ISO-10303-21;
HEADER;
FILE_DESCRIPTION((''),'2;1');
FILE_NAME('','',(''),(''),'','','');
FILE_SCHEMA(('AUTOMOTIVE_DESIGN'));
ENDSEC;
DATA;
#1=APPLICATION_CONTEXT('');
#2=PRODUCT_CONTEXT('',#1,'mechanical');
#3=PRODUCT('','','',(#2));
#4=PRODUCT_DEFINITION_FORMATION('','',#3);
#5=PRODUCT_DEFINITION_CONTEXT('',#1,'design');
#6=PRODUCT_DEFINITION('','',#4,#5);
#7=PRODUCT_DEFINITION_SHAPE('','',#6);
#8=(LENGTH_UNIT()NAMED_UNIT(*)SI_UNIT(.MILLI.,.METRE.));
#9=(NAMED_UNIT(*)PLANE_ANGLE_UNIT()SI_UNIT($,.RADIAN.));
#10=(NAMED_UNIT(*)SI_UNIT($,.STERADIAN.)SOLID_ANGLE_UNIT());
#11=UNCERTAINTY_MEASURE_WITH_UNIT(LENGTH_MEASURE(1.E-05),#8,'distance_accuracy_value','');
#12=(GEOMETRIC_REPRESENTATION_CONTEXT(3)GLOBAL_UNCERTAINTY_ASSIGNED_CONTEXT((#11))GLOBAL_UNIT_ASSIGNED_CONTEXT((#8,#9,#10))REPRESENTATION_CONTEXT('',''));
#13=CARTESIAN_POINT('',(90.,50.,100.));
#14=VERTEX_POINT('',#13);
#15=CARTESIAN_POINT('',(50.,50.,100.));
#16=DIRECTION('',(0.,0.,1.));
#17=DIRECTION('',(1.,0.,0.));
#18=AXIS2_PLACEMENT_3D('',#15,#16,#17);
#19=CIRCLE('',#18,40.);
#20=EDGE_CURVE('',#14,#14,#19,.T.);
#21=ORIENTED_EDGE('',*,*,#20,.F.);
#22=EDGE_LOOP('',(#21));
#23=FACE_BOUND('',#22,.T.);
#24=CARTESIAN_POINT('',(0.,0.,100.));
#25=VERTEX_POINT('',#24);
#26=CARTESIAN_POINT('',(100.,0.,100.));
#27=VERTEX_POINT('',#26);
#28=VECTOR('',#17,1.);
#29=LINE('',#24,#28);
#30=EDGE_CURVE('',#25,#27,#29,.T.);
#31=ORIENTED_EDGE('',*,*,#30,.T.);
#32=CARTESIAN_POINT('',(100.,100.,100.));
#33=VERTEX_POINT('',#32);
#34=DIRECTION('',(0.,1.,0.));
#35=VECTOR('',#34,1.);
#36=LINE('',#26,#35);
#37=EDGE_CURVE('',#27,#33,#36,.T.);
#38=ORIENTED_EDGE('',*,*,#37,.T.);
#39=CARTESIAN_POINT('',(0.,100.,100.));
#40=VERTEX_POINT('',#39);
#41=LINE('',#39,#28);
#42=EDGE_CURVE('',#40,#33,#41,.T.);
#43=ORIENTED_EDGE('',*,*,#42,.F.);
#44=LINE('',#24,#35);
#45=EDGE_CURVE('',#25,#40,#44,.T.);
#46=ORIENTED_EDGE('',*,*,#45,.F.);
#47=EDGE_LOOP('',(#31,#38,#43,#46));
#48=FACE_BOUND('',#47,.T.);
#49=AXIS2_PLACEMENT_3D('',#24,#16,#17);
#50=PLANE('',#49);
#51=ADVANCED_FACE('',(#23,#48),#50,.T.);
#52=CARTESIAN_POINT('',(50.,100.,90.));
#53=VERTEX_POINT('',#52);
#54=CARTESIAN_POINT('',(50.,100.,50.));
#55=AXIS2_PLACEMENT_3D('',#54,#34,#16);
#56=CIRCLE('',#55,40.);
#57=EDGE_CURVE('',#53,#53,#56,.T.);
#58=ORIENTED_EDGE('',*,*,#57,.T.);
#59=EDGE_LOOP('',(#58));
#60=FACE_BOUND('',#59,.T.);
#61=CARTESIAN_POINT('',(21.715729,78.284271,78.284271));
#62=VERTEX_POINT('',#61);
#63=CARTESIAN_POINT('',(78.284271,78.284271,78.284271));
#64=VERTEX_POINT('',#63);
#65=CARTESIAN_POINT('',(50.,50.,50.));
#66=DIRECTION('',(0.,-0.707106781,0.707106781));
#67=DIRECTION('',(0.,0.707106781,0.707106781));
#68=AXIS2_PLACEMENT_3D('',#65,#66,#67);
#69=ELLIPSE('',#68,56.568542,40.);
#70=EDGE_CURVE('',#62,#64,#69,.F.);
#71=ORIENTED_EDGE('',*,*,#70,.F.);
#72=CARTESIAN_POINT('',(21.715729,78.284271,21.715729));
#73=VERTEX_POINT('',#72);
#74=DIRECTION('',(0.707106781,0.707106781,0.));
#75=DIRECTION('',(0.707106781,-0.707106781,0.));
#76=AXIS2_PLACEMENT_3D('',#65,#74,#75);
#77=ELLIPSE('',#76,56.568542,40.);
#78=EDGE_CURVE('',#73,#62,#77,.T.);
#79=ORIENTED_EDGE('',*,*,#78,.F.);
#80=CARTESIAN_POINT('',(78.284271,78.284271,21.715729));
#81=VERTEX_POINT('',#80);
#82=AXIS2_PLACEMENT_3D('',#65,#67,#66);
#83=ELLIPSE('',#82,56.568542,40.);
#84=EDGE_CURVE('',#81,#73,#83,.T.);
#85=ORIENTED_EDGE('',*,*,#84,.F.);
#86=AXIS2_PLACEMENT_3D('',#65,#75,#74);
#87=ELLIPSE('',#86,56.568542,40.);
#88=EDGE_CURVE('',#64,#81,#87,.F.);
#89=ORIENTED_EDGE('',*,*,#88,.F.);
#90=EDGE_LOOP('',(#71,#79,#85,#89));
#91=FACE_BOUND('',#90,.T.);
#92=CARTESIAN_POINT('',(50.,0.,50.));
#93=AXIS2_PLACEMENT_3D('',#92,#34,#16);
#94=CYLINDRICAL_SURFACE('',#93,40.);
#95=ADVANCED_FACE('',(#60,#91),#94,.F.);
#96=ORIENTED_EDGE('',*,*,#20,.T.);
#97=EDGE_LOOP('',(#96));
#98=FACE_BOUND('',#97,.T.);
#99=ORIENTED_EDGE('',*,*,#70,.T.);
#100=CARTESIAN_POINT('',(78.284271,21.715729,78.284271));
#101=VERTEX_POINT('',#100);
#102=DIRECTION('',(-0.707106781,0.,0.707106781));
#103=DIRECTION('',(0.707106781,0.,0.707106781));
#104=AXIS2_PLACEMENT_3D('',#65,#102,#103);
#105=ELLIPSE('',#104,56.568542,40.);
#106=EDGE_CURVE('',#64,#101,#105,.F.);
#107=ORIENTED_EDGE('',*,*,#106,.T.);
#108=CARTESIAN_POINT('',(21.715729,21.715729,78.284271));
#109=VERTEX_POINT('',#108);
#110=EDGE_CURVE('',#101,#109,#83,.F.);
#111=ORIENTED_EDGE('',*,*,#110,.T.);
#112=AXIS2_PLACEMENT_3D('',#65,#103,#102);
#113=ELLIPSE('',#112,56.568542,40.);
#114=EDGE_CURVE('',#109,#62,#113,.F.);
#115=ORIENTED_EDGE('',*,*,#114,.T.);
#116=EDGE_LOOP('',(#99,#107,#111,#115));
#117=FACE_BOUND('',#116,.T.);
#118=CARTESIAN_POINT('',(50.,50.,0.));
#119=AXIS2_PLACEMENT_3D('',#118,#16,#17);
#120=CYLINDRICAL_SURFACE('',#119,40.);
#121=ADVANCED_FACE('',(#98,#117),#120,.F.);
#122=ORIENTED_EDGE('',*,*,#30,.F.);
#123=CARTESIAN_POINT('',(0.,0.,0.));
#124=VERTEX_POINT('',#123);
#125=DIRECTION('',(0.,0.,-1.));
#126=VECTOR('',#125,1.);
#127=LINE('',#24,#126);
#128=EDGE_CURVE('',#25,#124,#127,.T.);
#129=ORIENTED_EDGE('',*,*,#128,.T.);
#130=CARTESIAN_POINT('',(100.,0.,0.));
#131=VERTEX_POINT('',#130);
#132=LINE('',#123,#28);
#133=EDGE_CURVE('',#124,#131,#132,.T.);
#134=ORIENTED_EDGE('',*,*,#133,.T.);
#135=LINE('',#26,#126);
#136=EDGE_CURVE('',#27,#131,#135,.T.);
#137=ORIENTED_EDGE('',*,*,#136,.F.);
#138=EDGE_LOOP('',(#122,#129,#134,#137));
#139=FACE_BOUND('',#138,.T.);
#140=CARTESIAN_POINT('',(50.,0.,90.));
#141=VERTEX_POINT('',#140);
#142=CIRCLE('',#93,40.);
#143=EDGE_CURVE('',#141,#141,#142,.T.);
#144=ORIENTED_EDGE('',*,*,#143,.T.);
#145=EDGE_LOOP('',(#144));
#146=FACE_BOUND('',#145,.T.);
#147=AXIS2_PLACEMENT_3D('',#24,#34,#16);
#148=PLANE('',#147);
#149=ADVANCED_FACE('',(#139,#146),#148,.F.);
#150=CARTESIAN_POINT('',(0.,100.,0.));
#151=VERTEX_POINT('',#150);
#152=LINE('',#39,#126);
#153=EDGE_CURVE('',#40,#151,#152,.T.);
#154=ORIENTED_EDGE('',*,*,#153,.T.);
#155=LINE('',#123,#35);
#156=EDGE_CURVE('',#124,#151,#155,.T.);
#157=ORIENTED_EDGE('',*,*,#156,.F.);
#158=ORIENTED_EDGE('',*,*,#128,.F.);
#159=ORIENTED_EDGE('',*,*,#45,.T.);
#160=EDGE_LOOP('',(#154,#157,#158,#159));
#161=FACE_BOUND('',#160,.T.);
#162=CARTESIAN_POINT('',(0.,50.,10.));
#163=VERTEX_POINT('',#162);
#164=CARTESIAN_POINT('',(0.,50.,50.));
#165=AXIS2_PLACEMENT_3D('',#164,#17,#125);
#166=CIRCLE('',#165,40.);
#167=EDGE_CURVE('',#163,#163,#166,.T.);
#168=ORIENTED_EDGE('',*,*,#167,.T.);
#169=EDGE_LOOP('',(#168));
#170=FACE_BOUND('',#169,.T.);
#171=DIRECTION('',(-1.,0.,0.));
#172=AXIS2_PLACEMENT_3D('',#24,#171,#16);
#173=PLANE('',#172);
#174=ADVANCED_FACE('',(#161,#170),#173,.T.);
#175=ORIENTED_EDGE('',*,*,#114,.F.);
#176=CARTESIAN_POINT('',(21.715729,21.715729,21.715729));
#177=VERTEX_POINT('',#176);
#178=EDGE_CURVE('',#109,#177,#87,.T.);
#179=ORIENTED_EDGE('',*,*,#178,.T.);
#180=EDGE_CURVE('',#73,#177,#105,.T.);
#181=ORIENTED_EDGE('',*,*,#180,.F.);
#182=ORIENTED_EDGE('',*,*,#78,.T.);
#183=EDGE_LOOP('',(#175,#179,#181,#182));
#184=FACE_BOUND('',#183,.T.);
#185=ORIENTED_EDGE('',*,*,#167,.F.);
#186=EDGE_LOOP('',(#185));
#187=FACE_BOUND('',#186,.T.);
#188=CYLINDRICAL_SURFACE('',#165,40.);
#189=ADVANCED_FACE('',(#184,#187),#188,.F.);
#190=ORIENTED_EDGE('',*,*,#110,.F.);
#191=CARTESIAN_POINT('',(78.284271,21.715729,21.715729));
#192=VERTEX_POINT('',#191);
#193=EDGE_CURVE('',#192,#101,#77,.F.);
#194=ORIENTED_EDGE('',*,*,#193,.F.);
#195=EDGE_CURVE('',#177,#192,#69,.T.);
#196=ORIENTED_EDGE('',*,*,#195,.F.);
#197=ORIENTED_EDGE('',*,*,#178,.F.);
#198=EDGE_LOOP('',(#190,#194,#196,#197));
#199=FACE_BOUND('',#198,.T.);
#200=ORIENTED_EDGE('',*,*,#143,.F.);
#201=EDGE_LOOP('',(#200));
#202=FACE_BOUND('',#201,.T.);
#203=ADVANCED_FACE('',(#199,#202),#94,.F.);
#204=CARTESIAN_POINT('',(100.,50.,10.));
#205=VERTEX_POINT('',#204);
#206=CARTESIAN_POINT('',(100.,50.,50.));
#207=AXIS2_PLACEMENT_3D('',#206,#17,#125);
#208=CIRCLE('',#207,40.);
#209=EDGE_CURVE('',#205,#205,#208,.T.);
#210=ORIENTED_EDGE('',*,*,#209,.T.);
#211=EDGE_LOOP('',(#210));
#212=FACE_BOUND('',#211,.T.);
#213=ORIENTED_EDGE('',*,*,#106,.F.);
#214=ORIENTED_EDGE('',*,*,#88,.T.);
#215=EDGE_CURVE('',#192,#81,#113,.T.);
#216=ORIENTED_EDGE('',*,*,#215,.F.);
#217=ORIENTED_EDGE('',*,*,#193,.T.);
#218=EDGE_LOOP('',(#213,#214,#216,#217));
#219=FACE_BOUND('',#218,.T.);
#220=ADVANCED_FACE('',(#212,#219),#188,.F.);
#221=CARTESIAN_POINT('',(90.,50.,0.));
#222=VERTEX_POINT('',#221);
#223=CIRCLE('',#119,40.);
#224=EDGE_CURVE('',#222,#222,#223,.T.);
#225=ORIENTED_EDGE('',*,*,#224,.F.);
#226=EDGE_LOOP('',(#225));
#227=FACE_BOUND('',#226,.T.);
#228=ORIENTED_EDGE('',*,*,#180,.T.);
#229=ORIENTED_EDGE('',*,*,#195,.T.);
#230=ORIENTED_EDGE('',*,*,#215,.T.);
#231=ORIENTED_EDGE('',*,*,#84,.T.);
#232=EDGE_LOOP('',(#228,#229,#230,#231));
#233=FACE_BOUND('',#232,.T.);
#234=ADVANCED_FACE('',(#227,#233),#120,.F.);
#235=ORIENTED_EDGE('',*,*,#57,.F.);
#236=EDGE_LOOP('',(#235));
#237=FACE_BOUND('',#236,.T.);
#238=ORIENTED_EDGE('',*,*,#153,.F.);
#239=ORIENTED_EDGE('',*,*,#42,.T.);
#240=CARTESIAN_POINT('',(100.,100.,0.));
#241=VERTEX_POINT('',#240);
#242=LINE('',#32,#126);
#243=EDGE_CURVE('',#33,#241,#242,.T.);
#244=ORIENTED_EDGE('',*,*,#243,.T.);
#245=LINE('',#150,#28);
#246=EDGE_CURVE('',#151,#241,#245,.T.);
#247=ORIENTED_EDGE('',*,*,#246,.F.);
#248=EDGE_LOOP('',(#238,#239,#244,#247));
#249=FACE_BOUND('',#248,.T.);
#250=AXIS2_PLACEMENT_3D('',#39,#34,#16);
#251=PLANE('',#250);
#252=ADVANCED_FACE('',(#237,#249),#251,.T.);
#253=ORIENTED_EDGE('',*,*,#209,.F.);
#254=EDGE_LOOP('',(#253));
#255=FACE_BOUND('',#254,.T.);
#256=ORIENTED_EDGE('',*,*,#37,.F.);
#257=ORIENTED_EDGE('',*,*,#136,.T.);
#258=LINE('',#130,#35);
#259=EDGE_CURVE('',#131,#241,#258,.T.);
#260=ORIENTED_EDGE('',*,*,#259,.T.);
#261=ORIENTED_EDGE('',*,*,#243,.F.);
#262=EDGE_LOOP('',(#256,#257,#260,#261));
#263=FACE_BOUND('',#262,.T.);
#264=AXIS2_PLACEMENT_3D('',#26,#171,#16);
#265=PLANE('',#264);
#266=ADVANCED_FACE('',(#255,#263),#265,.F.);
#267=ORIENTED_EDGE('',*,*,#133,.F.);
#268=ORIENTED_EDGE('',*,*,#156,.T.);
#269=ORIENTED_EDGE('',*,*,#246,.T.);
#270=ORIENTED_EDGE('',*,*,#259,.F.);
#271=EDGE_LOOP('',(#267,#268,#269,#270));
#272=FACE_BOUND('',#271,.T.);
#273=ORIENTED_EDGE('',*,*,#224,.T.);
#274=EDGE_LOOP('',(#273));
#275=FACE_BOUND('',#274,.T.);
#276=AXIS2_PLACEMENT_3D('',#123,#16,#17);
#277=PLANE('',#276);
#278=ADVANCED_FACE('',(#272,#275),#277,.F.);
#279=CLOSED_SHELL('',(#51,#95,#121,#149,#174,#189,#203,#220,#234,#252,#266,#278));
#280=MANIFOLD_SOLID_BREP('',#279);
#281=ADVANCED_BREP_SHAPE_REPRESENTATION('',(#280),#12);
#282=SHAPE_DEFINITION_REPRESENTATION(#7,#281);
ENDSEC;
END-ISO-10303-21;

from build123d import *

# Parameters (mm, degrees)
CROQUIS1_W              = 100
CROQUIS1_H              = 100
SALIENTE_EXTRUIR1_DEPTH = 100
CROQUIS2_R              = 40
CORTAR_EXTRUIR1_DEPTH   = 100
CROQUIS3_R              = 40
CORTAR_EXTRUIR2_DEPTH   = 100
CROQUIS4_R              = 40
CORTAR_EXTRUIR3_DEPTH   = 100


with BuildPart() as part:
    # Croquis1 → Saliente-Extruir1 (new body)
    with BuildSketch(Plane.XY):
        with Locations((50, 50)):
            Rectangle(CROQUIS1_W, CROQUIS1_H)
    extrude(amount=SALIENTE_EXTRUIR1_DEPTH)

    # Croquis2 → Cortar-Extruir1 (cut)
    with BuildSketch(Plane.XY.offset(100)):
        with Locations((50, 50)):
            Circle(CROQUIS2_R)
    extrude(amount=-CORTAR_EXTRUIR1_DEPTH, mode=Mode.SUBTRACT)

    # Croquis3 → Cortar-Extruir2 (cut)
    with BuildSketch(Plane(origin=(100, 0, 0), x_dir=(0, 0, -1), z_dir=(1, 0, 0))):
        with Locations((-50, 50)):
            Circle(CROQUIS3_R)
    extrude(amount=-CORTAR_EXTRUIR2_DEPTH, mode=Mode.SUBTRACT)

    # Croquis4 → Cortar-Extruir3 (cut)
    with BuildSketch(Plane(origin=(0, 100, 0), x_dir=(1, 0, 0), z_dir=(0, 1, 0))):
        with Locations(Location((50, -50, 0), (0, 0, 270))):
            Circle(CROQUIS4_R)
    extrude(amount=-CORTAR_EXTRUIR3_DEPTH, mode=Mode.SUBTRACT)


solid = part.part
